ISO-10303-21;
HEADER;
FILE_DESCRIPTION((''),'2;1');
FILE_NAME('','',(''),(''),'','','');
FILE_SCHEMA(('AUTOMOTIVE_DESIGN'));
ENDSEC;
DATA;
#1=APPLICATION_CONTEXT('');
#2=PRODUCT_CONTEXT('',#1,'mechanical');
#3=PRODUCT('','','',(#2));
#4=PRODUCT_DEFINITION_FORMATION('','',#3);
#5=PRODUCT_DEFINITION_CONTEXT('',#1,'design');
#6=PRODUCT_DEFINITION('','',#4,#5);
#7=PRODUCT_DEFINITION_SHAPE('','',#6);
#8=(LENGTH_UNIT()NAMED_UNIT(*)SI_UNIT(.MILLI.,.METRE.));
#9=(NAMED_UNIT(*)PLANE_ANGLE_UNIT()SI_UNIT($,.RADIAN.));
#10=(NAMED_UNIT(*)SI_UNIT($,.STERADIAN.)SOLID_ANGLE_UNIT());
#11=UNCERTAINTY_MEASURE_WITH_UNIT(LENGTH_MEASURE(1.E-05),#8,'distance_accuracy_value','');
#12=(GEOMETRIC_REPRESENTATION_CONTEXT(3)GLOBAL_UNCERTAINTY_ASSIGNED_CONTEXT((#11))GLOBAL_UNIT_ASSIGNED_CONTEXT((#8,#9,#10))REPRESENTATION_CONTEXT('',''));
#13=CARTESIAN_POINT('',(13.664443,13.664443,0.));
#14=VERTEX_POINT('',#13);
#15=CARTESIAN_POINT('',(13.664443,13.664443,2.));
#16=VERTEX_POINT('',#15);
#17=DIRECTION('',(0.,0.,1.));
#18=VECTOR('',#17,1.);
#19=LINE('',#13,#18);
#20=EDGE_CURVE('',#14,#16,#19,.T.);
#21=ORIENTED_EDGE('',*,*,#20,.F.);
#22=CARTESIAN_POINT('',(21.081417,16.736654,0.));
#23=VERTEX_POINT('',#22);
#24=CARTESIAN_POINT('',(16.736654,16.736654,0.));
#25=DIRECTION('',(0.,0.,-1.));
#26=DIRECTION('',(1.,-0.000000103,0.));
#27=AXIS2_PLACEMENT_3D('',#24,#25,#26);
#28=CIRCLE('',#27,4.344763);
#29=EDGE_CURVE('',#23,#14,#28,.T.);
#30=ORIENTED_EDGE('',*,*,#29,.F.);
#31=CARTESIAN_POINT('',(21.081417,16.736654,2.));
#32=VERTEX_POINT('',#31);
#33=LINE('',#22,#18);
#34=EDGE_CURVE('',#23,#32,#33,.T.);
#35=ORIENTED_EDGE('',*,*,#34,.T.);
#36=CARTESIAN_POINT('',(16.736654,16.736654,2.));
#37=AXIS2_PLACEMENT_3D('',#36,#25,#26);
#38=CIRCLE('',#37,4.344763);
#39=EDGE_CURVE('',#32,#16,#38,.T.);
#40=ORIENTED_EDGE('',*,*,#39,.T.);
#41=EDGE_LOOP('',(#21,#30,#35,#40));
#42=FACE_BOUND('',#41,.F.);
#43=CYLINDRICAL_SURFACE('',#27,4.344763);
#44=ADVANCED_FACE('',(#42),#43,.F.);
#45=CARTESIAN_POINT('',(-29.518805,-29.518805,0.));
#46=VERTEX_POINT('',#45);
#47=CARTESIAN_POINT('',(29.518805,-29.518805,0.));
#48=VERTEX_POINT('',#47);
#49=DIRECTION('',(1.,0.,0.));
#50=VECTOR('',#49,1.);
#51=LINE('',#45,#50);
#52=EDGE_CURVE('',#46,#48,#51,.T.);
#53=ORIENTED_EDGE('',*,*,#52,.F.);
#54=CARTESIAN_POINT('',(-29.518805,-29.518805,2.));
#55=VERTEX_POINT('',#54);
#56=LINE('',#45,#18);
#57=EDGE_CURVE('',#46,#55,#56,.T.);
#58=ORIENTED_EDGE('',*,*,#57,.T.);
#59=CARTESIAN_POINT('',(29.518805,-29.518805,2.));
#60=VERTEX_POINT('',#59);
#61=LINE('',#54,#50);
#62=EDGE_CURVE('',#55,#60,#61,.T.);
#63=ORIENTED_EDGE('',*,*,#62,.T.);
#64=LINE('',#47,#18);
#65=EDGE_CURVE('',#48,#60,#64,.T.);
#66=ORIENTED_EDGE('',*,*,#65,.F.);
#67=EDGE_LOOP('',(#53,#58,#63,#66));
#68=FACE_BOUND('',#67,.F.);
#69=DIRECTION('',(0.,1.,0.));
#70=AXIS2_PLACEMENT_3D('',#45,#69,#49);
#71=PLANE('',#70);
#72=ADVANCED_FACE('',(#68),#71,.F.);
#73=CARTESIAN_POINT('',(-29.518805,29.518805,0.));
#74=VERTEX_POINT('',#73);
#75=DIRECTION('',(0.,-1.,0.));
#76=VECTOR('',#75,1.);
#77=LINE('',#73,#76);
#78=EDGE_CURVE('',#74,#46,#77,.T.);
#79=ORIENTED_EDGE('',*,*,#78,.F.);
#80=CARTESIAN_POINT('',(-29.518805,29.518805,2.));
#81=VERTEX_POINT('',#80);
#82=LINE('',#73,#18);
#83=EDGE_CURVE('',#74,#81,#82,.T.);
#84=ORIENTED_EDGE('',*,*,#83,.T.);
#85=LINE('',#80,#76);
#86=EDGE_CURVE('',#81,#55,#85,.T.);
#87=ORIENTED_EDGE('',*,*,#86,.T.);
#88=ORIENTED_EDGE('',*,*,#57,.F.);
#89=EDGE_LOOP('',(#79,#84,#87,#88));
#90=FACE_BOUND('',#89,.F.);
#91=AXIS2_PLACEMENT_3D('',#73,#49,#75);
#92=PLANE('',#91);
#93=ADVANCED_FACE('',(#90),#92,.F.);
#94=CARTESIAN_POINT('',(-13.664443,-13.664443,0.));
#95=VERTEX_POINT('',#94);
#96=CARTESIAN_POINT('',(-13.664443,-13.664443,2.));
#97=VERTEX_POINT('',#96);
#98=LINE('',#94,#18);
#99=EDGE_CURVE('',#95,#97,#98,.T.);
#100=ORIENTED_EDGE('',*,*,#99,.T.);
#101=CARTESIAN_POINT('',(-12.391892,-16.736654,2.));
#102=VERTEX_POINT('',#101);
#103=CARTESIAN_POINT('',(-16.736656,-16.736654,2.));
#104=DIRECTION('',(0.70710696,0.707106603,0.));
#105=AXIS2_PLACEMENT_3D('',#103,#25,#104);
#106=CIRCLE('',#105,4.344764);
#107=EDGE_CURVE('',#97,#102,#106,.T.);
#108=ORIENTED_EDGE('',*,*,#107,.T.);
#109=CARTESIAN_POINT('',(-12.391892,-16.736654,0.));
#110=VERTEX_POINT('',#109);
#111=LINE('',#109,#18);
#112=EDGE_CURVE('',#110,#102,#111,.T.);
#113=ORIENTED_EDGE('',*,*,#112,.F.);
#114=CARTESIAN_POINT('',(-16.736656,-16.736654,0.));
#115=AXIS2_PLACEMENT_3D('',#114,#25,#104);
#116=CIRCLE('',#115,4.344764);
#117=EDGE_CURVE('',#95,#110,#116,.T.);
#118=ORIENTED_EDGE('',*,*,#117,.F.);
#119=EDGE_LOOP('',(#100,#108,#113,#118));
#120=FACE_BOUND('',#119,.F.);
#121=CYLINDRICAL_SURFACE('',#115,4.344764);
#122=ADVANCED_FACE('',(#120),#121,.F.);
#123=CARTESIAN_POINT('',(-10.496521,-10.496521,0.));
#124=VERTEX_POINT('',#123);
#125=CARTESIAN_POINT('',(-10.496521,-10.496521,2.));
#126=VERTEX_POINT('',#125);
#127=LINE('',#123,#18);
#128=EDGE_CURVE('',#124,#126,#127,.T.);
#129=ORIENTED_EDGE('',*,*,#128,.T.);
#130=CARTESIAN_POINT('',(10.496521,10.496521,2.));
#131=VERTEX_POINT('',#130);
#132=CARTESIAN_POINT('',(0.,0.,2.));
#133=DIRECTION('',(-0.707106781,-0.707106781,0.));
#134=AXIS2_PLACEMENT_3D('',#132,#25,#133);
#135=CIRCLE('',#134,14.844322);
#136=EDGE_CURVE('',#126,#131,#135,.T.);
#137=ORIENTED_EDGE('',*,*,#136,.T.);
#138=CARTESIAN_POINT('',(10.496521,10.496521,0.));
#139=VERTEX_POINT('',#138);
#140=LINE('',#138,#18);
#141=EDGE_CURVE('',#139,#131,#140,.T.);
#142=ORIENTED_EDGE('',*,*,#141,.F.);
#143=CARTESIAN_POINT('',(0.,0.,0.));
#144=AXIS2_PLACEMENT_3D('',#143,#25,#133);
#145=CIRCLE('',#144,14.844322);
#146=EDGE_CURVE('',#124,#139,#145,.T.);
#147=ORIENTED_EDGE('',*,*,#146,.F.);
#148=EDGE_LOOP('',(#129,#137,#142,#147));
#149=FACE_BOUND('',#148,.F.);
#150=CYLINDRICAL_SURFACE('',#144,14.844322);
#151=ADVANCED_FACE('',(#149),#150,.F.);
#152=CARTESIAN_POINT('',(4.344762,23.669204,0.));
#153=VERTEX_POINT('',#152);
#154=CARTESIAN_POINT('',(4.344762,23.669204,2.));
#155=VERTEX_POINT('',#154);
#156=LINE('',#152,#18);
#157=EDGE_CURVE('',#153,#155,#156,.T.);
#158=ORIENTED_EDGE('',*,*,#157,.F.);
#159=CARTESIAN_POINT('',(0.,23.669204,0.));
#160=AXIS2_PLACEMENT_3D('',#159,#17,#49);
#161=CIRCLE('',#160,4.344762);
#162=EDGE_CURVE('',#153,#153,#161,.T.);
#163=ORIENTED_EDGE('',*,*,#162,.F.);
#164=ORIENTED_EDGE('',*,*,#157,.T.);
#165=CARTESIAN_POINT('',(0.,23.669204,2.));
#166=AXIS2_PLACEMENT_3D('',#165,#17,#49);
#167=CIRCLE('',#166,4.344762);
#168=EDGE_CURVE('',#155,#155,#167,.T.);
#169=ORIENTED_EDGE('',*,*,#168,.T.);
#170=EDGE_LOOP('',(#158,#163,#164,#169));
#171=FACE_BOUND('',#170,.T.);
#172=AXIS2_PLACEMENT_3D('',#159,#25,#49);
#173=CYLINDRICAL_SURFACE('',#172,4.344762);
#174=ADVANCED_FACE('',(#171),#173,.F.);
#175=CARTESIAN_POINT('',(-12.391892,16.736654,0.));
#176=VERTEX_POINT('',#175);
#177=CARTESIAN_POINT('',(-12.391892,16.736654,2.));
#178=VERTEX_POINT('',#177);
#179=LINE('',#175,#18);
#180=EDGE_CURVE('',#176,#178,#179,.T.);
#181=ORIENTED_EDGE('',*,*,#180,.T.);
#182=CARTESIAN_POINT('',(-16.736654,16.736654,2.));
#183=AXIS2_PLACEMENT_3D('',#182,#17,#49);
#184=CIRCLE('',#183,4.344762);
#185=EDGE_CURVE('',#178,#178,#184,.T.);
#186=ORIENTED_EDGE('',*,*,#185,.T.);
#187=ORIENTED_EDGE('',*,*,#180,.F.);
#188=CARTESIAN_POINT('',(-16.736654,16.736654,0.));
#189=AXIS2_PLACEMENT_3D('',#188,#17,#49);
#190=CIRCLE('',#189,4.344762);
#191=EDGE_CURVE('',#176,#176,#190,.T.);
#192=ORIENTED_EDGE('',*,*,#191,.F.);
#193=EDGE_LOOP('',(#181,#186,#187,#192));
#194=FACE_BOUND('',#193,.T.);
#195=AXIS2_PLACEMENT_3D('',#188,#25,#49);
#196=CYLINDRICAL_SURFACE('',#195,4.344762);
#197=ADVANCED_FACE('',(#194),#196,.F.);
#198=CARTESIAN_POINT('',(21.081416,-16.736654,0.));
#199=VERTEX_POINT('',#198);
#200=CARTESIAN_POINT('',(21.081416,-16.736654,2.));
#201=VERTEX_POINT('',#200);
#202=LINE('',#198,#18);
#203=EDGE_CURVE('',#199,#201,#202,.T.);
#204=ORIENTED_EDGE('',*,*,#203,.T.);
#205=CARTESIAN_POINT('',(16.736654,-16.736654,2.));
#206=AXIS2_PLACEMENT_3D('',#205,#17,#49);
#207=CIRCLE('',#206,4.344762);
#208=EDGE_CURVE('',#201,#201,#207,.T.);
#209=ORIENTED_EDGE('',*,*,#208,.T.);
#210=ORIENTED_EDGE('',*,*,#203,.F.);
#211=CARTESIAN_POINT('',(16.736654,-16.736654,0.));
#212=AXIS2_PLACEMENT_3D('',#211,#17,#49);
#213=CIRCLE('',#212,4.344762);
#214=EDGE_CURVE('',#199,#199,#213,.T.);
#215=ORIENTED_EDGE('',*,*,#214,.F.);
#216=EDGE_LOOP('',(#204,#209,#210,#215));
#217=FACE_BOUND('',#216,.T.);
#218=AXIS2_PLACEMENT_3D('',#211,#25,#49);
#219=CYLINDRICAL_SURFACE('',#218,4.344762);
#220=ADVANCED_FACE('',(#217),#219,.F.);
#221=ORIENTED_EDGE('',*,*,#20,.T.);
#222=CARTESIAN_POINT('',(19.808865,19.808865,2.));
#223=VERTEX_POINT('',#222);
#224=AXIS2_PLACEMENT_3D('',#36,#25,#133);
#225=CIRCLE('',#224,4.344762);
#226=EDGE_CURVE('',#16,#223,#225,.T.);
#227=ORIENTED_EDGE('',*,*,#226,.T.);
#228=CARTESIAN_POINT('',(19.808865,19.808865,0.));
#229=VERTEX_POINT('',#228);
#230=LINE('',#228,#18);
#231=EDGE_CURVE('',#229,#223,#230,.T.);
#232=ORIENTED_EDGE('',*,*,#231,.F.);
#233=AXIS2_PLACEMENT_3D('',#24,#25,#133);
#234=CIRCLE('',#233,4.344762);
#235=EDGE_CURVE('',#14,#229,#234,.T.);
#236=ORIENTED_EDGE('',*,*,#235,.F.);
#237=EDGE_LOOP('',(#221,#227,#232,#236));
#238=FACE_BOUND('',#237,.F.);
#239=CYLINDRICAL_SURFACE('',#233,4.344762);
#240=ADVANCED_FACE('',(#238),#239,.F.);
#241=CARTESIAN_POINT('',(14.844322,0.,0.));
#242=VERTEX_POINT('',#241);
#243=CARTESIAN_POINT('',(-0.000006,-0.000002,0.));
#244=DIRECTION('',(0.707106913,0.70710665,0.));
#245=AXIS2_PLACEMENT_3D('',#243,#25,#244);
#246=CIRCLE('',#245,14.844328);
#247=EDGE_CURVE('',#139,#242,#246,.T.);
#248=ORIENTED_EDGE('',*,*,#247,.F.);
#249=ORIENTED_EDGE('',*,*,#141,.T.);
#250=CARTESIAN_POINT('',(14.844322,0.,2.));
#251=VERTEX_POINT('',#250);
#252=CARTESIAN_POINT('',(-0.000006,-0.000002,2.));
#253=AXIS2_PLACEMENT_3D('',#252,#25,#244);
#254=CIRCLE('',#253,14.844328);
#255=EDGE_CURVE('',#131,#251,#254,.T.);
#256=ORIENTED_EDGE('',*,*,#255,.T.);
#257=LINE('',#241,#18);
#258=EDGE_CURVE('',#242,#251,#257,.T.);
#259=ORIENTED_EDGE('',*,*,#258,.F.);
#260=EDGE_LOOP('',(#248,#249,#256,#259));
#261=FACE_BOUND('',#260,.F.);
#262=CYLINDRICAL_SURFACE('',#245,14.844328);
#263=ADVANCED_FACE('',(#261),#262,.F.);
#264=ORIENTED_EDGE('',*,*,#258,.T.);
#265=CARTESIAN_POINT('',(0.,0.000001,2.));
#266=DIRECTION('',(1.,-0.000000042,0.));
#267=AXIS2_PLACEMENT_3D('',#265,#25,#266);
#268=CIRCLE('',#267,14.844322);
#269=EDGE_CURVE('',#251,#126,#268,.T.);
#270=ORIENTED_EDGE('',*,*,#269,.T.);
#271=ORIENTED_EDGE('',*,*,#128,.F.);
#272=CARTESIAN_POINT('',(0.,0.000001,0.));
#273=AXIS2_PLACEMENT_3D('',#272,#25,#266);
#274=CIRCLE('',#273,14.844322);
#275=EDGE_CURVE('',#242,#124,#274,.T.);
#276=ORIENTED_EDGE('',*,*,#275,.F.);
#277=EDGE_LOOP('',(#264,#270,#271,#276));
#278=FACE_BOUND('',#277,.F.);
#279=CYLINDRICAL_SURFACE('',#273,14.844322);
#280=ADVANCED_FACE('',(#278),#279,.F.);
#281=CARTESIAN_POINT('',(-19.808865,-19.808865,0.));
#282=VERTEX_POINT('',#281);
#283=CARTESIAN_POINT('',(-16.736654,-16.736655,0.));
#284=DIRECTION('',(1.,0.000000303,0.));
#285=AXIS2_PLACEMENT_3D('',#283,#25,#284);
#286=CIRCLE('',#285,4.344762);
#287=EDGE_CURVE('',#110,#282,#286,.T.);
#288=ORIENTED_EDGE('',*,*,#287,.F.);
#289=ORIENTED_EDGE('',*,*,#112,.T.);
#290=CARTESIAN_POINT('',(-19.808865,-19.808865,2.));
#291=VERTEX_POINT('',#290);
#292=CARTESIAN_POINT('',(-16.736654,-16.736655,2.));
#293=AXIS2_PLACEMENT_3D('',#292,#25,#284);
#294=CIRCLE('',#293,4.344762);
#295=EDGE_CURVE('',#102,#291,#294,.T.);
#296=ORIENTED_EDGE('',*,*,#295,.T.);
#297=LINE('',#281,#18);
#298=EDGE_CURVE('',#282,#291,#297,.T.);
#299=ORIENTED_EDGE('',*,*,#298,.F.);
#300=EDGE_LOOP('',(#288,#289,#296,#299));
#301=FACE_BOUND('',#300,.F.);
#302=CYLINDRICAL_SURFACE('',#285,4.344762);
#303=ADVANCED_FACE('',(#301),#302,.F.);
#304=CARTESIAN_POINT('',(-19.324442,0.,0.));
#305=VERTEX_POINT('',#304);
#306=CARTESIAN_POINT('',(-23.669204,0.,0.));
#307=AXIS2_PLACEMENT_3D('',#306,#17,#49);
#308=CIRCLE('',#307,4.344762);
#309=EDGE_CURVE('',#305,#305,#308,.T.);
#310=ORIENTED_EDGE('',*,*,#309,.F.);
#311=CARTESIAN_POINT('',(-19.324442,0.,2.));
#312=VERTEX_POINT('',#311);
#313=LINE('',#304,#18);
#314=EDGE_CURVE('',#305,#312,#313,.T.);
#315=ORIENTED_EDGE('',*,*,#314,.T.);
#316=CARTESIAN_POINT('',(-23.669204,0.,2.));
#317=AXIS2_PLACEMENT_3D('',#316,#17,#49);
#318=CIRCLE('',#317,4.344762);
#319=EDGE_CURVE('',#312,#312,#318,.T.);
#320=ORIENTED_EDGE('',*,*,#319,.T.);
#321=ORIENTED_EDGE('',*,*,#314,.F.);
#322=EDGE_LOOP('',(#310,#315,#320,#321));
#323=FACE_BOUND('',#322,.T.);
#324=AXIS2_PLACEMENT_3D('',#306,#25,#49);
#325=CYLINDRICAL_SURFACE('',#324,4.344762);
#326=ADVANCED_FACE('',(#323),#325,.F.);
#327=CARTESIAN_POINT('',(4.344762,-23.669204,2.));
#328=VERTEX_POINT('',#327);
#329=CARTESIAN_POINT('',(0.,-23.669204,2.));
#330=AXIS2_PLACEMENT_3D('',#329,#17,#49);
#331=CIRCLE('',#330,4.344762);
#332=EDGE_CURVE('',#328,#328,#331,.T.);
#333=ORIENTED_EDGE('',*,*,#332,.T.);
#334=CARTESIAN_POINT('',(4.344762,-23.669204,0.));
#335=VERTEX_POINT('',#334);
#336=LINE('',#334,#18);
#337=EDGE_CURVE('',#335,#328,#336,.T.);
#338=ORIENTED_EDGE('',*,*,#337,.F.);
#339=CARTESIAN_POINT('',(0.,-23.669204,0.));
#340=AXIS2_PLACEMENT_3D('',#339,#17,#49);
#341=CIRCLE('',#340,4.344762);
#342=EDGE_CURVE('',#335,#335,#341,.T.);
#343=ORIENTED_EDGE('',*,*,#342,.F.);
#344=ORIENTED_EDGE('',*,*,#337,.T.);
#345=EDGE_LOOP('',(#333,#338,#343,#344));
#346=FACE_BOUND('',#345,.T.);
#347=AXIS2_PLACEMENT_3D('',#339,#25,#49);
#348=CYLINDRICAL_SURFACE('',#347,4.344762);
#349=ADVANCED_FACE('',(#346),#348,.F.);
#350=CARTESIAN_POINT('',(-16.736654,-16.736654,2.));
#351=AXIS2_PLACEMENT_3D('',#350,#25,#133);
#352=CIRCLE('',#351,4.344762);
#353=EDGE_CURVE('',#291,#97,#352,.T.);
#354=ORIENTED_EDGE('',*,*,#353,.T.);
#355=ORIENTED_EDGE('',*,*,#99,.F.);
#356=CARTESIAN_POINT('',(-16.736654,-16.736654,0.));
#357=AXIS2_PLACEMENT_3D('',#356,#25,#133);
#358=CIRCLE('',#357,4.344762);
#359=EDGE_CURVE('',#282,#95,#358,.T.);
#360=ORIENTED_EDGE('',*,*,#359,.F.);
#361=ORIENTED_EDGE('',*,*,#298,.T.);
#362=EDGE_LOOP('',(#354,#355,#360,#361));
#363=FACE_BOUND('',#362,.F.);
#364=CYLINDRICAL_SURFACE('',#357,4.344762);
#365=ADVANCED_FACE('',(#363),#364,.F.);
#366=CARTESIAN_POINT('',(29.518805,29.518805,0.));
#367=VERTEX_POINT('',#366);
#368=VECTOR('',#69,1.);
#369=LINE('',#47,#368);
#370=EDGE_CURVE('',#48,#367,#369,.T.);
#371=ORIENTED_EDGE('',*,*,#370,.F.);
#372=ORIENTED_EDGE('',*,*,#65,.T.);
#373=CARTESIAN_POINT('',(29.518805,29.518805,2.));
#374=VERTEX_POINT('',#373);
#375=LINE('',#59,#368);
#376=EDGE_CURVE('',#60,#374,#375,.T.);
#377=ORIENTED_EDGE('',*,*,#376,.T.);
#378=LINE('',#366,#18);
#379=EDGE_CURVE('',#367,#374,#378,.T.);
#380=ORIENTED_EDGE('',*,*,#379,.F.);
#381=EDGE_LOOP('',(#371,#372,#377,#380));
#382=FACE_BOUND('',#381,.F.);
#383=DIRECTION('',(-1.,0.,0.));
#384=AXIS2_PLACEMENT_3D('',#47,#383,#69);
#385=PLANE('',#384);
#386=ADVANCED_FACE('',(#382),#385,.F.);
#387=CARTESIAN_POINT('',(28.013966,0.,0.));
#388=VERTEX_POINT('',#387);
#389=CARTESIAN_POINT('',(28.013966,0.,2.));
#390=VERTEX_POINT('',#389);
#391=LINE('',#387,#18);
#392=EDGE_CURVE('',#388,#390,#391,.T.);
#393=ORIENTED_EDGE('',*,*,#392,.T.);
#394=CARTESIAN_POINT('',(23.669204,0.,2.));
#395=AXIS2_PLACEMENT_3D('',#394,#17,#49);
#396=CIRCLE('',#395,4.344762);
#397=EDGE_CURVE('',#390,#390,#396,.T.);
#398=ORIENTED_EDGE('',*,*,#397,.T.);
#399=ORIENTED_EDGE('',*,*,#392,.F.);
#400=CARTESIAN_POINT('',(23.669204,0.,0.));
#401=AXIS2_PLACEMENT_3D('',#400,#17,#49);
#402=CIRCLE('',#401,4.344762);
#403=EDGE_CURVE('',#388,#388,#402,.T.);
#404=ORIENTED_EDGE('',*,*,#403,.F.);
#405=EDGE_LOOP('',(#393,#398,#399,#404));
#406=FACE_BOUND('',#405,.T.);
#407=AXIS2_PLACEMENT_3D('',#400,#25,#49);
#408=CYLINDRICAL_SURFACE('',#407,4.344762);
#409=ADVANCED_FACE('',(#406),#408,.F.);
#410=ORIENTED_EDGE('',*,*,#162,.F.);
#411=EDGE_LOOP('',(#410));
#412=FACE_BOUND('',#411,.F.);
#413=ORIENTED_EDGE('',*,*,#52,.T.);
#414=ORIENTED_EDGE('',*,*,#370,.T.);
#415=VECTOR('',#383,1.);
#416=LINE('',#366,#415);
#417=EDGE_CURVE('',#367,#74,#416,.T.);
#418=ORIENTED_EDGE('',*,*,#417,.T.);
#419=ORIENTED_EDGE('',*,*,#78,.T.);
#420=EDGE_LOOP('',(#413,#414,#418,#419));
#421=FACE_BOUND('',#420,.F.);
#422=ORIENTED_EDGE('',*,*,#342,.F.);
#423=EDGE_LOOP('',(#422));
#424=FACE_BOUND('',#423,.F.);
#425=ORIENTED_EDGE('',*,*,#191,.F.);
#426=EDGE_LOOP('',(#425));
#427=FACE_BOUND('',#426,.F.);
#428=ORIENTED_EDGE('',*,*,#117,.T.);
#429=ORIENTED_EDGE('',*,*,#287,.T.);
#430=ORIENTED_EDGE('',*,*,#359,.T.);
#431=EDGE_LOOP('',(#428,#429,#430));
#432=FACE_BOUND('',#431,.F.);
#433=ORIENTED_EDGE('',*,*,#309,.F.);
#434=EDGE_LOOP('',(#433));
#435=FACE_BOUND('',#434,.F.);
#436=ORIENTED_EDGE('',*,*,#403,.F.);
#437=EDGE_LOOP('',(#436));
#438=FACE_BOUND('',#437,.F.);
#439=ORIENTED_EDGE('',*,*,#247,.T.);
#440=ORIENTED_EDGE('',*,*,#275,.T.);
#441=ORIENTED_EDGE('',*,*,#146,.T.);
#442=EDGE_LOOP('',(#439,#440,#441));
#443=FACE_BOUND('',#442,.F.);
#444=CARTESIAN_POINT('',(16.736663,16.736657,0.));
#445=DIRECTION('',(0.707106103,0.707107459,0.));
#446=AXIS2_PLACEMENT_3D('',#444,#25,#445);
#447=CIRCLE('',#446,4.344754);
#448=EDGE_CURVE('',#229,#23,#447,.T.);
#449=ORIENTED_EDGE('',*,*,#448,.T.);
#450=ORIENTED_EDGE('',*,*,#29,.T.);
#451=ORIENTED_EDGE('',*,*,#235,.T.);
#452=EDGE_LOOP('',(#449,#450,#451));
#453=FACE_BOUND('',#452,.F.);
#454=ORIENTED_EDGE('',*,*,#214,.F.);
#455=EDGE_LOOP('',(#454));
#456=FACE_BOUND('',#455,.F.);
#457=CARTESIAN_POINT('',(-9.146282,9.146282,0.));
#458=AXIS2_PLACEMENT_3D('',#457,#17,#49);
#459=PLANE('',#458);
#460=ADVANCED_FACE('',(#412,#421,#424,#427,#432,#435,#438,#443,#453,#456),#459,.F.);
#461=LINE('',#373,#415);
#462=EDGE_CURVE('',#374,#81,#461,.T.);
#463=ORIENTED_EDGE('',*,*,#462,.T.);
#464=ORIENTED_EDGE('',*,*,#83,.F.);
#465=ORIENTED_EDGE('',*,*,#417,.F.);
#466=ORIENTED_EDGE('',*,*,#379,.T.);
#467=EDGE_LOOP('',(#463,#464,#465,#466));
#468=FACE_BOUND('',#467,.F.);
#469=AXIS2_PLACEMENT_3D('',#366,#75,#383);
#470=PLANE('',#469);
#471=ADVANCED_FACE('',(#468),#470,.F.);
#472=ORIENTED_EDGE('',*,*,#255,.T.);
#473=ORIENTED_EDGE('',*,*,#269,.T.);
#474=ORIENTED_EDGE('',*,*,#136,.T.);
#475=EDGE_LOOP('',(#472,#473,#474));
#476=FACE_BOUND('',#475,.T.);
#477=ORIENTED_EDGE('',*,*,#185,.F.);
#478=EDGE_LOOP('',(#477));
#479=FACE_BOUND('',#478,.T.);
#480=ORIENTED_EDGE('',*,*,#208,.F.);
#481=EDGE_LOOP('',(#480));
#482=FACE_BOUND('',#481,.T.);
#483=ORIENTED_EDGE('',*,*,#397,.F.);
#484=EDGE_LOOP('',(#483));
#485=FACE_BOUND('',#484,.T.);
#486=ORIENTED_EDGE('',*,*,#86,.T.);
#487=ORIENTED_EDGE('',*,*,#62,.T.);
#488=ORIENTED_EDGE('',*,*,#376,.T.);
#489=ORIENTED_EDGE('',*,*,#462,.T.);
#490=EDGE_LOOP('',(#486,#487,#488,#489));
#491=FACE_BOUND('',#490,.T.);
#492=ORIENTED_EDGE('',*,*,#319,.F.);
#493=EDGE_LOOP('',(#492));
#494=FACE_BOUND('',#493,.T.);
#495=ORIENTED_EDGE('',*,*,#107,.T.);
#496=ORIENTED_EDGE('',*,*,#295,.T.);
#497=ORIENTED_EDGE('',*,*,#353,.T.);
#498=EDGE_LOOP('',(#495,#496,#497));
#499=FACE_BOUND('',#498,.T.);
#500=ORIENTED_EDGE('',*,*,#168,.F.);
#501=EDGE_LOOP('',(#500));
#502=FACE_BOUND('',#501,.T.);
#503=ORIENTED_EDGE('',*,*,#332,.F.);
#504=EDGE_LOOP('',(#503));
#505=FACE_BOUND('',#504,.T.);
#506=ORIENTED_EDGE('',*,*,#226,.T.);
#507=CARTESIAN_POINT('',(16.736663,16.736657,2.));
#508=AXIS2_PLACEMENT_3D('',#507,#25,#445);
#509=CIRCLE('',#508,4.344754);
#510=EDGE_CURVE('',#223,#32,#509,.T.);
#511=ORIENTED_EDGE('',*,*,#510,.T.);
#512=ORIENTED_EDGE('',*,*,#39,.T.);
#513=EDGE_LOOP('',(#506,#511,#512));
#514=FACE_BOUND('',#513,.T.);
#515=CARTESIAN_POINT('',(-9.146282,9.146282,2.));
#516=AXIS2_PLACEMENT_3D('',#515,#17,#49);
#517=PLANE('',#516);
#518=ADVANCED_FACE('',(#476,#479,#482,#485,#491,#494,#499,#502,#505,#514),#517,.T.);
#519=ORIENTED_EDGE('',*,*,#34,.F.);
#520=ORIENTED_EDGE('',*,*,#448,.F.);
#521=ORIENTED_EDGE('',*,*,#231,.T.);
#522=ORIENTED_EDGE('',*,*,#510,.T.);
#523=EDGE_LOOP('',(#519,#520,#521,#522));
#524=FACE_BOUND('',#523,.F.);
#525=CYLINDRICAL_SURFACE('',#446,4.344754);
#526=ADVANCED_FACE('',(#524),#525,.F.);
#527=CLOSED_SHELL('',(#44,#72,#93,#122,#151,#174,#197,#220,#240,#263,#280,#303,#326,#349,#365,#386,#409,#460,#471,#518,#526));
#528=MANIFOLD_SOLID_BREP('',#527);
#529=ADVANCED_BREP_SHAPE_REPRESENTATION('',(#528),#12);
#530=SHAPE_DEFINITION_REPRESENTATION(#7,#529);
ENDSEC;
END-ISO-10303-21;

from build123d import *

# Parameters (mm, degrees)
F0_R     = 4.344762
F1_DEPTH = 2


with BuildPart() as f1:
    # F0 (on Top) → F1 (new body)
    with BuildSketch(Plane.XY):
        with BuildLine():
            Line((19.808865, 19.808865), (29.518805, 29.518805))
            Line((29.518805, 29.518805), (-29.518805, 29.518805))
            Line((-29.518805, 29.518805), (-29.518805, -29.518805))
            Line((-29.518805, -29.518805), (-19.808865, -19.808865))
            ThreePointArc((-19.808865, -19.808865), (-19.808865, -13.664443), (-13.664443, -13.664443))
            Line((-13.664443, -13.664443), (-10.496521, -10.496521))
            ThreePointArc((-10.496521, -10.496521), (-10.496521, 10.496521), (10.496521, 10.496521))
            Line((10.496521, 10.496521), (13.664443, 13.664443))
            ThreePointArc((13.664443, 13.664443), (13.664443, 19.808865), (19.808865, 19.808865))
        make_face()
        with Locations((-23.669204, 0)):
            Circle(F0_R, mode=Mode.SUBTRACT)
        with Locations((-16.736654, 16.736654)):
            Circle(F0_R, mode=Mode.SUBTRACT)
        with Locations((0, 23.669204)):
            Circle(F0_R, mode=Mode.SUBTRACT)
        with BuildLine():
            Line((29.518805, -29.518805), (29.518805, 29.518805))
            Line((29.518805, 29.518805), (19.808865, 19.808865))
            ThreePointArc((19.808865, 19.808865), (20.750692, 18.399323), (21.081417, 16.736654))
            ThreePointArc((21.081417, 16.736654), (18.399323, 12.722617), (13.664443, 13.664443))
            Line((13.664443, 13.664443), (10.496521, 10.496521))
            ThreePointArc((10.496521, 10.496521), (13.714365, 5.680676), (14.844322, 0))
            ThreePointArc((14.844322, 0), (5.680676, -13.714365), (-10.496521, -10.496521))
            Line((-10.496521, -10.496521), (-13.664443, -13.664443))
            ThreePointArc((-13.664443, -13.664443), (-12.722617, -15.073986), (-12.391892, -16.736654))
            ThreePointArc((-12.391892, -16.736654), (-15.073986, -20.750692), (-19.808865, -19.808865))
            Line((-19.808865, -19.808865), (-29.518805, -29.518805))
            Line((-29.518805, -29.518805), (29.518805, -29.518805))
        make_face()
        with Locations((0, -23.669204)):
            Circle(F0_R, mode=Mode.SUBTRACT)
        with Locations((16.736654, -16.736654)):
            Circle(F0_R, mode=Mode.SUBTRACT)
        with Locations((23.669204, 0)):
            Circle(F0_R, mode=Mode.SUBTRACT)
    extrude(amount=F1_DEPTH)


solid = f1.part
